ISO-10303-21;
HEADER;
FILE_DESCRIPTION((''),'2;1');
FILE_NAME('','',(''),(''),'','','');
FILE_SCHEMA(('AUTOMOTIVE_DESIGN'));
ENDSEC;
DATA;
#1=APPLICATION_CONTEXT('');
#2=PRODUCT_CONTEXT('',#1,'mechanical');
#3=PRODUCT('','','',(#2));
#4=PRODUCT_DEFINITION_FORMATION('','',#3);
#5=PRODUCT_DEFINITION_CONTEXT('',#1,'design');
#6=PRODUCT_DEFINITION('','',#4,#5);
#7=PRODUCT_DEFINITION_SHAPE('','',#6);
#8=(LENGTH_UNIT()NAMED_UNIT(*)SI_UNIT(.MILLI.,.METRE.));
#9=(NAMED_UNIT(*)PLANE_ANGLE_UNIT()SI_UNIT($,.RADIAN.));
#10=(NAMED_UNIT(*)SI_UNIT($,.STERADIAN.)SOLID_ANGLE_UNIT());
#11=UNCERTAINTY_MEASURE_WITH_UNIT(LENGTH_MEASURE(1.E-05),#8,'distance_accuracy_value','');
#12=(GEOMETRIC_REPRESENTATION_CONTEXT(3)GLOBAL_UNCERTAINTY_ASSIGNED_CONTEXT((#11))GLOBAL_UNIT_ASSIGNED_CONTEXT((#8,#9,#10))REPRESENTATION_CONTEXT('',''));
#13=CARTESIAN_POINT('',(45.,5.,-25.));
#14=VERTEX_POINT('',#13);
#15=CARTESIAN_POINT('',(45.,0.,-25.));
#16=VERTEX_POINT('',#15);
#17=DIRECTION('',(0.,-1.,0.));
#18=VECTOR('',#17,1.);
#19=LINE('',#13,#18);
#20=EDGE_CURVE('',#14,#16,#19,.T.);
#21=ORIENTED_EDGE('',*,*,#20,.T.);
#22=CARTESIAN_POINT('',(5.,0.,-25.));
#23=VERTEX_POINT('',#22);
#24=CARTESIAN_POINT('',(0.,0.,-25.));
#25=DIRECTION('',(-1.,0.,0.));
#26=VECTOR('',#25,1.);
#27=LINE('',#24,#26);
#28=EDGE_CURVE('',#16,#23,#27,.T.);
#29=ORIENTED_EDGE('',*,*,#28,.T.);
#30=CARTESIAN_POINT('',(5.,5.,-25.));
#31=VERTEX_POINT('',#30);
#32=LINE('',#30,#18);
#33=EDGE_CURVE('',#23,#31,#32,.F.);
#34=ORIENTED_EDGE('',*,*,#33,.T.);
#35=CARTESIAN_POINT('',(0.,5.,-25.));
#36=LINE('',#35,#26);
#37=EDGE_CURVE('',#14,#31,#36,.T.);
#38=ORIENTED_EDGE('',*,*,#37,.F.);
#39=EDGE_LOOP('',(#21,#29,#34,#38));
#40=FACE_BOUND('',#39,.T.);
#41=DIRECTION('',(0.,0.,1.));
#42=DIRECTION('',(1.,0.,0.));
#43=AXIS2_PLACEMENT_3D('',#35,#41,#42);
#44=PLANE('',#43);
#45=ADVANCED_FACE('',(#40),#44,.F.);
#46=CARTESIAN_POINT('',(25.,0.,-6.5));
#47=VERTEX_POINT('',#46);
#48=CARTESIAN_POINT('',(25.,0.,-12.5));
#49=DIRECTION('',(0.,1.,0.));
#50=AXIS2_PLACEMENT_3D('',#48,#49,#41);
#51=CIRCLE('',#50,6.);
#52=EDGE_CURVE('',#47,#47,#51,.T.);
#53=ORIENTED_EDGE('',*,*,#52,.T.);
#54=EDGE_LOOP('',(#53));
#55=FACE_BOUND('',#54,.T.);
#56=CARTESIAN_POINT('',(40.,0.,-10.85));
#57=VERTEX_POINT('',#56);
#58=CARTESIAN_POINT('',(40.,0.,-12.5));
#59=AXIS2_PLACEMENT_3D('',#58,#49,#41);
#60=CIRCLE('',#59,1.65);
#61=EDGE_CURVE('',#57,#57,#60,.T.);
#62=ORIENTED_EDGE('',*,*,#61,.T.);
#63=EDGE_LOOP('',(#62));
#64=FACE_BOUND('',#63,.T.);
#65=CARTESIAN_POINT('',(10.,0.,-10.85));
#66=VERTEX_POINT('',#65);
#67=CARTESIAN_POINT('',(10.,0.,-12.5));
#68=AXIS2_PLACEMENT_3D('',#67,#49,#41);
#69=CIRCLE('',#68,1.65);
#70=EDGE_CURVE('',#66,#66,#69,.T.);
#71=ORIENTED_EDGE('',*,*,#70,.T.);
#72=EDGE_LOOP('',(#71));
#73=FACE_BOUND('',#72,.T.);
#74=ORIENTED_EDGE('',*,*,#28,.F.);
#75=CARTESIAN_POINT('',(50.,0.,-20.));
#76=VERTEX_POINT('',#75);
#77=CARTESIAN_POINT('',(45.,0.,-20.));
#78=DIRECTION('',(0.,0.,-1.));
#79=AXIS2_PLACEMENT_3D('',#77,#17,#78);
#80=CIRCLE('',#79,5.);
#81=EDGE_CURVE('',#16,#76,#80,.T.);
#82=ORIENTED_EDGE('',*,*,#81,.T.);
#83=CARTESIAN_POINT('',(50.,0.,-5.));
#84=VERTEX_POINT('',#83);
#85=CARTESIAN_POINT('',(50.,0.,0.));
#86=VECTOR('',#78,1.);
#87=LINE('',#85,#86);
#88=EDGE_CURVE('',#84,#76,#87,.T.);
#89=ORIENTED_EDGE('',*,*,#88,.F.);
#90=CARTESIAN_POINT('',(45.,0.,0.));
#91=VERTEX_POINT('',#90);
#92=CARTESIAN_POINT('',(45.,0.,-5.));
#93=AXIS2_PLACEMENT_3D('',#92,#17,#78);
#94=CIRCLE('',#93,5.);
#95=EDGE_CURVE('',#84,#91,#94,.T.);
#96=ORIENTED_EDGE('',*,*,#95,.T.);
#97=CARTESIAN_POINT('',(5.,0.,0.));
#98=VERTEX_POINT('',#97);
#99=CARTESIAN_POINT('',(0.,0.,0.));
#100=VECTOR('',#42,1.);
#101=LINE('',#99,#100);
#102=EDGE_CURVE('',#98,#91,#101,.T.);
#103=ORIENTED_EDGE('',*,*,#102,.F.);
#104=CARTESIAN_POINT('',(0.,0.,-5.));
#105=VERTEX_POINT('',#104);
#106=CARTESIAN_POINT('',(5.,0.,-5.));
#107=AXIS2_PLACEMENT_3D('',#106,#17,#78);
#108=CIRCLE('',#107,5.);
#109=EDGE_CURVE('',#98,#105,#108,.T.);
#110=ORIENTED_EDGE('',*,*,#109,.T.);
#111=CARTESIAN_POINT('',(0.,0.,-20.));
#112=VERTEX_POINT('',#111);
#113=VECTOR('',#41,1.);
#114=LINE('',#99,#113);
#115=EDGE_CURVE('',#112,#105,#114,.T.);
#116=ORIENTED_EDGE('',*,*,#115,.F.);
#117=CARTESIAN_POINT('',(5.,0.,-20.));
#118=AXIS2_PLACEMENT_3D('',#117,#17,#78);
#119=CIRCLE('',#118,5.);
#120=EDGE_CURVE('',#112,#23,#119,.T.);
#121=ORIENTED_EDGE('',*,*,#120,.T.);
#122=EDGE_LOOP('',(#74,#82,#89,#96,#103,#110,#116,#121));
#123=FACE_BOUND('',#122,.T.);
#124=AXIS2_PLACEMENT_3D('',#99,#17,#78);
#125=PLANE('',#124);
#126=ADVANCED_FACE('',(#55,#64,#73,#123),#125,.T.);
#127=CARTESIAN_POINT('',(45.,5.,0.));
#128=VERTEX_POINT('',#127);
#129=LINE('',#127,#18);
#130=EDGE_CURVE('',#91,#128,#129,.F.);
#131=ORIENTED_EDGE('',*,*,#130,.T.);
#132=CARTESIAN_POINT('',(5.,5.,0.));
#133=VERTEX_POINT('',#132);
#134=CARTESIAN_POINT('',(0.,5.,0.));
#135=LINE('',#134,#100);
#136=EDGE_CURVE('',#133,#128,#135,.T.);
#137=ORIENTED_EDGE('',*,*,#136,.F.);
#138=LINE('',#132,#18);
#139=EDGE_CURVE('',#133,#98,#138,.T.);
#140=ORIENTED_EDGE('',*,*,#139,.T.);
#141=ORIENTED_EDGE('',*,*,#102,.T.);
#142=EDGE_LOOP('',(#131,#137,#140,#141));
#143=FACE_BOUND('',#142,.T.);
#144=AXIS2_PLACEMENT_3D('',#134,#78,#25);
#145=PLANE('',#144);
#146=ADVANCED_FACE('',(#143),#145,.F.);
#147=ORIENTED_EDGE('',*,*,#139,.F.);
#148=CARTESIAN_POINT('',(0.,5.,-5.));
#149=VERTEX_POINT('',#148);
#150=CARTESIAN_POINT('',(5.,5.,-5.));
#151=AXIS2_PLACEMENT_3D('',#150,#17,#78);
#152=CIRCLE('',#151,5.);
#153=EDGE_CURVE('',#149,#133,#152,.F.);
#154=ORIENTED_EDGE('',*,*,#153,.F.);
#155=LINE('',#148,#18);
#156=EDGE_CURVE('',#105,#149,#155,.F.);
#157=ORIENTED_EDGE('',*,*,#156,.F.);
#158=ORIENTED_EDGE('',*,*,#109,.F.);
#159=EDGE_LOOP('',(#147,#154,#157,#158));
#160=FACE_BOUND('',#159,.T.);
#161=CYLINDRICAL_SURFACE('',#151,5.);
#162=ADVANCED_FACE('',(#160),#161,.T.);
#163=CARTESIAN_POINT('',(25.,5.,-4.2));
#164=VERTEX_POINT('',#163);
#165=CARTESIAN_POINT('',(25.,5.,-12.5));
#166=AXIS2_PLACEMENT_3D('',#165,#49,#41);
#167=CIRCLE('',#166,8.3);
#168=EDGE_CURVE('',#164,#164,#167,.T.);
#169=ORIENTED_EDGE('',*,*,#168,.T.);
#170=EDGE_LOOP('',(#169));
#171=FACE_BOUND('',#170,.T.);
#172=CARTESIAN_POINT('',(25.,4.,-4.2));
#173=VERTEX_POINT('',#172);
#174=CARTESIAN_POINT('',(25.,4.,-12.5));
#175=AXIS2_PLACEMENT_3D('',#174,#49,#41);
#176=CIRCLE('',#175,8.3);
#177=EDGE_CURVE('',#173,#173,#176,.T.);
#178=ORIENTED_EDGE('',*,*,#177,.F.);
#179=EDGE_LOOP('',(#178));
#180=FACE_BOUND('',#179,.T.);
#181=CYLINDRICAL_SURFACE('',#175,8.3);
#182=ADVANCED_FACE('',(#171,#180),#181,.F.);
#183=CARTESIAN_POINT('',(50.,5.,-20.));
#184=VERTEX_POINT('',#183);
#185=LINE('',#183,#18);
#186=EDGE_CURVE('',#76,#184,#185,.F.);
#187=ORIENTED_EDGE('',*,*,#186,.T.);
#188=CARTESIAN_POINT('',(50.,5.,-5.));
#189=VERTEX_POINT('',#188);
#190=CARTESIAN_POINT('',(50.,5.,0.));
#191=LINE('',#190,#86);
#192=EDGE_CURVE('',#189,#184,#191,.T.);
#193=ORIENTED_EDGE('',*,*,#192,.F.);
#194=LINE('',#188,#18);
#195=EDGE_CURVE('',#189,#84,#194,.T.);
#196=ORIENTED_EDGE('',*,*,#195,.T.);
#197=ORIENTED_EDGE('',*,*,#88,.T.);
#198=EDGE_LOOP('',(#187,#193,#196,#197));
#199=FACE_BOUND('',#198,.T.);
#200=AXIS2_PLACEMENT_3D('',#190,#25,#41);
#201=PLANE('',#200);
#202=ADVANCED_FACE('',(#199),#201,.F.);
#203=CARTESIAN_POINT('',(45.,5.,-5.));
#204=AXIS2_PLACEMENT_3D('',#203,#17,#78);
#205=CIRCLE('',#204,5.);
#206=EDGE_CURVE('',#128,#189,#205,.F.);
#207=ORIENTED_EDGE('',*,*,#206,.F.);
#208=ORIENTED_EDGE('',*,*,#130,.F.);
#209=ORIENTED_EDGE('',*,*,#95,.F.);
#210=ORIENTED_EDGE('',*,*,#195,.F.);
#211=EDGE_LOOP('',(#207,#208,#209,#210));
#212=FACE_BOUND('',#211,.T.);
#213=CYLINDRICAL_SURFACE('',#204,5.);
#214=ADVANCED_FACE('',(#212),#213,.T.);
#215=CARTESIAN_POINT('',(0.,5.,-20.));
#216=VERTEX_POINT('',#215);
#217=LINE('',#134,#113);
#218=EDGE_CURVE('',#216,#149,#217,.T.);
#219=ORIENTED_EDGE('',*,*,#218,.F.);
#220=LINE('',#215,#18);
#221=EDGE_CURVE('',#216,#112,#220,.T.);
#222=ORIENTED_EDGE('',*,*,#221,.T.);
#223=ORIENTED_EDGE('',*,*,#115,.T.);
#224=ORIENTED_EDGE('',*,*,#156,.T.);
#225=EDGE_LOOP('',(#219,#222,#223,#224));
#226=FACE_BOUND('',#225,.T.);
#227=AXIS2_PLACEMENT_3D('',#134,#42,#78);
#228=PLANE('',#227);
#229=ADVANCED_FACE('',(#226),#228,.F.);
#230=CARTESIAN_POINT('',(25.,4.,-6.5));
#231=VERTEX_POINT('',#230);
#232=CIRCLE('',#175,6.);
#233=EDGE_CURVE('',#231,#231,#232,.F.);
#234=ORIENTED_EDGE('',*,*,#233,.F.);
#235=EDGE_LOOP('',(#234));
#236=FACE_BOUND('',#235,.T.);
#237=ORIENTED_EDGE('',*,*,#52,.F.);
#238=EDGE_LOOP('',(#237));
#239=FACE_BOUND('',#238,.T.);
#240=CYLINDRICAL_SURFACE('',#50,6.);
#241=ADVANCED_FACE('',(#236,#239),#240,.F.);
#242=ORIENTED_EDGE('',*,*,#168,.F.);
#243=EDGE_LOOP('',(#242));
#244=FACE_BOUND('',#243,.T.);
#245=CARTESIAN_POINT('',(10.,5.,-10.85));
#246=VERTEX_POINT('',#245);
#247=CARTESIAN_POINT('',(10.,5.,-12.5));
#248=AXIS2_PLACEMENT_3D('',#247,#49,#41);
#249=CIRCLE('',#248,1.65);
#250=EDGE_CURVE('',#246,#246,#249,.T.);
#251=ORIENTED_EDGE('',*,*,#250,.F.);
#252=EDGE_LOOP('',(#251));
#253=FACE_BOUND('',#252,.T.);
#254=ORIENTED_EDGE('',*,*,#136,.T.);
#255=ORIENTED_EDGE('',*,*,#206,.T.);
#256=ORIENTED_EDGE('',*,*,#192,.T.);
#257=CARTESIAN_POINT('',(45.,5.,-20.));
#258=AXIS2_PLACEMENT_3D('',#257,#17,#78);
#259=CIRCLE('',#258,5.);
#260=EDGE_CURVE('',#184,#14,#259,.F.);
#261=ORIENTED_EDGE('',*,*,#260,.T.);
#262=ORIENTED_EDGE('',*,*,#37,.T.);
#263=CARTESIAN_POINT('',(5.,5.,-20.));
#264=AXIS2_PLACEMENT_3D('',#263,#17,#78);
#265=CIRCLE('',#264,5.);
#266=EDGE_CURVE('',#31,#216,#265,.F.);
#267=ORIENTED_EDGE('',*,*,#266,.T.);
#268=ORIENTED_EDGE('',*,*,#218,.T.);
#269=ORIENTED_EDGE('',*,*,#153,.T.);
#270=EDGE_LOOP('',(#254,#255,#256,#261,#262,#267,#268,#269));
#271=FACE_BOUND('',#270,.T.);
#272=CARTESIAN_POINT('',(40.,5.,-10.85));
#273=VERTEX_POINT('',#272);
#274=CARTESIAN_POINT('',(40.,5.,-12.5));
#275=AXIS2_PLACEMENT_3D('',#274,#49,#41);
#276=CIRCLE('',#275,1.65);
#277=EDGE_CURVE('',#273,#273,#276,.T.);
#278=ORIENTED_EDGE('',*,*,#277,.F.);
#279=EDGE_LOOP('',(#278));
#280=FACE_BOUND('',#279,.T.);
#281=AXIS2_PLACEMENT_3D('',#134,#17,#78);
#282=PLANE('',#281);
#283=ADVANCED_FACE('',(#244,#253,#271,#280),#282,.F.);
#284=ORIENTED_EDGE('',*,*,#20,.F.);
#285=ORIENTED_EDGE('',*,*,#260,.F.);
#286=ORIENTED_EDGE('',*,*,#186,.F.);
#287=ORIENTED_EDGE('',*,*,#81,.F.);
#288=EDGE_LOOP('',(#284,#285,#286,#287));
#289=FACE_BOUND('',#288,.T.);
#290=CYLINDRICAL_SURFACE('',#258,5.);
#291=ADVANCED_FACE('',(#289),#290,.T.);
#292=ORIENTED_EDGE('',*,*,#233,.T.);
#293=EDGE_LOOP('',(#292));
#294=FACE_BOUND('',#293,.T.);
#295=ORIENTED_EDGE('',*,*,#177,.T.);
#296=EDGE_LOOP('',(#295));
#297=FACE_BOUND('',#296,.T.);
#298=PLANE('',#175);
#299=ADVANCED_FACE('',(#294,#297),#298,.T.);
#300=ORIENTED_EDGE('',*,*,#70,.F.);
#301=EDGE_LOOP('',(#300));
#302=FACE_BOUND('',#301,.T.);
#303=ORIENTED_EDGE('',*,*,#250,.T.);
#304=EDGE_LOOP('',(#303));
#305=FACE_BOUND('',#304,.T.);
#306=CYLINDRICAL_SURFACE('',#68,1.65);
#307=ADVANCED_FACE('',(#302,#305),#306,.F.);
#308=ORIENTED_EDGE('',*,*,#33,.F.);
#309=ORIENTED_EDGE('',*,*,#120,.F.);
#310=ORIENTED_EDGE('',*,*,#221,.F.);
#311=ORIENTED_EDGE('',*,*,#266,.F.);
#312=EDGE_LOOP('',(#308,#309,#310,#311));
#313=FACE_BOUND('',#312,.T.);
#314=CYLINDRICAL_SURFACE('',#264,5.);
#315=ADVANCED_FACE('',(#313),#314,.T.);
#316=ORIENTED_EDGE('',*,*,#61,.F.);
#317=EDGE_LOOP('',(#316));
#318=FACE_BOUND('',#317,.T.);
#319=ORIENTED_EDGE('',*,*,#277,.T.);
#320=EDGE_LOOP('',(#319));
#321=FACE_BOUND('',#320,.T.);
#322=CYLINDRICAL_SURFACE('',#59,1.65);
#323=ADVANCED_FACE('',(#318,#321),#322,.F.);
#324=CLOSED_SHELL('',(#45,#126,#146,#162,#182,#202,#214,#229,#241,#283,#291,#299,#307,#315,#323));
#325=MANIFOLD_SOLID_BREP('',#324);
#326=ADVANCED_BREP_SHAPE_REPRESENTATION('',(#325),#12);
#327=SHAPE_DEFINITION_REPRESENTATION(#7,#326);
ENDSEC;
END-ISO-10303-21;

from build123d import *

# Parameters (mm, degrees)
SKETCH_1_W          = 50
SKETCH_1_H          = 25
EXTRUDE_1_DEPTH     = 5
SKETCH_2_R          = 6
SKETCH_2_R_2        = 1.65
CUT_EXTRUDE_1_DEPTH = 5
SKETCH_4_R          = 8.3
CUT_EXTRUDE_2_DEPTH = 1
FILLET_1_R          = 5


with BuildPart() as part:
    # 草图1 → 凸台-拉伸1 (new body)
    with BuildSketch(Plane(origin=(0, 0, 0), x_dir=(1, 0, 0), z_dir=(0, 1, 0))):
        with Locations((25, 12.5)):
            Rectangle(SKETCH_1_W, SKETCH_1_H)
    extrude(amount=EXTRUDE_1_DEPTH)

    # 草图2 → 切除-拉伸1 (cut)
    with BuildSketch(Plane(origin=(0, 5, 0), x_dir=(1, 0, 0), z_dir=(0, 1, 0))):
        with Locations(Location((25, 12.5, 0), (0, 0, 270))):
            Circle(SKETCH_2_R)
        with Locations(Location((40, 12.5, 0), (0, 0, 270))):
            Circle(SKETCH_2_R_2)
        with Locations(Location((10, 12.5, 0), (0, 0, 270))):
            Circle(SKETCH_2_R_2)
    extrude(amount=-CUT_EXTRUDE_1_DEPTH, mode=Mode.SUBTRACT)

    # 草图4 → 切除-拉伸2 (cut)
    with BuildSketch(Plane(origin=(0, 5, 0), x_dir=(1, 0, 0), z_dir=(0, 1, 0))):
        with Locations(Location((25, 12.5, 0), (0, 0, 270))):
            Circle(SKETCH_4_R)
    extrude(amount=-CUT_EXTRUDE_2_DEPTH, mode=Mode.SUBTRACT)

    # 圆角1
    fillet_1_edges = [part.edges().sort_by_distance(p)[0] for p in [
        (0, 2.5, -25),
        (50, 2.5, -25),
        (50, 2.5, 0),
        (0, 2.5, 0),
    ]]
    fillet(fillet_1_edges, radius=FILLET_1_R)


solid = part.part
